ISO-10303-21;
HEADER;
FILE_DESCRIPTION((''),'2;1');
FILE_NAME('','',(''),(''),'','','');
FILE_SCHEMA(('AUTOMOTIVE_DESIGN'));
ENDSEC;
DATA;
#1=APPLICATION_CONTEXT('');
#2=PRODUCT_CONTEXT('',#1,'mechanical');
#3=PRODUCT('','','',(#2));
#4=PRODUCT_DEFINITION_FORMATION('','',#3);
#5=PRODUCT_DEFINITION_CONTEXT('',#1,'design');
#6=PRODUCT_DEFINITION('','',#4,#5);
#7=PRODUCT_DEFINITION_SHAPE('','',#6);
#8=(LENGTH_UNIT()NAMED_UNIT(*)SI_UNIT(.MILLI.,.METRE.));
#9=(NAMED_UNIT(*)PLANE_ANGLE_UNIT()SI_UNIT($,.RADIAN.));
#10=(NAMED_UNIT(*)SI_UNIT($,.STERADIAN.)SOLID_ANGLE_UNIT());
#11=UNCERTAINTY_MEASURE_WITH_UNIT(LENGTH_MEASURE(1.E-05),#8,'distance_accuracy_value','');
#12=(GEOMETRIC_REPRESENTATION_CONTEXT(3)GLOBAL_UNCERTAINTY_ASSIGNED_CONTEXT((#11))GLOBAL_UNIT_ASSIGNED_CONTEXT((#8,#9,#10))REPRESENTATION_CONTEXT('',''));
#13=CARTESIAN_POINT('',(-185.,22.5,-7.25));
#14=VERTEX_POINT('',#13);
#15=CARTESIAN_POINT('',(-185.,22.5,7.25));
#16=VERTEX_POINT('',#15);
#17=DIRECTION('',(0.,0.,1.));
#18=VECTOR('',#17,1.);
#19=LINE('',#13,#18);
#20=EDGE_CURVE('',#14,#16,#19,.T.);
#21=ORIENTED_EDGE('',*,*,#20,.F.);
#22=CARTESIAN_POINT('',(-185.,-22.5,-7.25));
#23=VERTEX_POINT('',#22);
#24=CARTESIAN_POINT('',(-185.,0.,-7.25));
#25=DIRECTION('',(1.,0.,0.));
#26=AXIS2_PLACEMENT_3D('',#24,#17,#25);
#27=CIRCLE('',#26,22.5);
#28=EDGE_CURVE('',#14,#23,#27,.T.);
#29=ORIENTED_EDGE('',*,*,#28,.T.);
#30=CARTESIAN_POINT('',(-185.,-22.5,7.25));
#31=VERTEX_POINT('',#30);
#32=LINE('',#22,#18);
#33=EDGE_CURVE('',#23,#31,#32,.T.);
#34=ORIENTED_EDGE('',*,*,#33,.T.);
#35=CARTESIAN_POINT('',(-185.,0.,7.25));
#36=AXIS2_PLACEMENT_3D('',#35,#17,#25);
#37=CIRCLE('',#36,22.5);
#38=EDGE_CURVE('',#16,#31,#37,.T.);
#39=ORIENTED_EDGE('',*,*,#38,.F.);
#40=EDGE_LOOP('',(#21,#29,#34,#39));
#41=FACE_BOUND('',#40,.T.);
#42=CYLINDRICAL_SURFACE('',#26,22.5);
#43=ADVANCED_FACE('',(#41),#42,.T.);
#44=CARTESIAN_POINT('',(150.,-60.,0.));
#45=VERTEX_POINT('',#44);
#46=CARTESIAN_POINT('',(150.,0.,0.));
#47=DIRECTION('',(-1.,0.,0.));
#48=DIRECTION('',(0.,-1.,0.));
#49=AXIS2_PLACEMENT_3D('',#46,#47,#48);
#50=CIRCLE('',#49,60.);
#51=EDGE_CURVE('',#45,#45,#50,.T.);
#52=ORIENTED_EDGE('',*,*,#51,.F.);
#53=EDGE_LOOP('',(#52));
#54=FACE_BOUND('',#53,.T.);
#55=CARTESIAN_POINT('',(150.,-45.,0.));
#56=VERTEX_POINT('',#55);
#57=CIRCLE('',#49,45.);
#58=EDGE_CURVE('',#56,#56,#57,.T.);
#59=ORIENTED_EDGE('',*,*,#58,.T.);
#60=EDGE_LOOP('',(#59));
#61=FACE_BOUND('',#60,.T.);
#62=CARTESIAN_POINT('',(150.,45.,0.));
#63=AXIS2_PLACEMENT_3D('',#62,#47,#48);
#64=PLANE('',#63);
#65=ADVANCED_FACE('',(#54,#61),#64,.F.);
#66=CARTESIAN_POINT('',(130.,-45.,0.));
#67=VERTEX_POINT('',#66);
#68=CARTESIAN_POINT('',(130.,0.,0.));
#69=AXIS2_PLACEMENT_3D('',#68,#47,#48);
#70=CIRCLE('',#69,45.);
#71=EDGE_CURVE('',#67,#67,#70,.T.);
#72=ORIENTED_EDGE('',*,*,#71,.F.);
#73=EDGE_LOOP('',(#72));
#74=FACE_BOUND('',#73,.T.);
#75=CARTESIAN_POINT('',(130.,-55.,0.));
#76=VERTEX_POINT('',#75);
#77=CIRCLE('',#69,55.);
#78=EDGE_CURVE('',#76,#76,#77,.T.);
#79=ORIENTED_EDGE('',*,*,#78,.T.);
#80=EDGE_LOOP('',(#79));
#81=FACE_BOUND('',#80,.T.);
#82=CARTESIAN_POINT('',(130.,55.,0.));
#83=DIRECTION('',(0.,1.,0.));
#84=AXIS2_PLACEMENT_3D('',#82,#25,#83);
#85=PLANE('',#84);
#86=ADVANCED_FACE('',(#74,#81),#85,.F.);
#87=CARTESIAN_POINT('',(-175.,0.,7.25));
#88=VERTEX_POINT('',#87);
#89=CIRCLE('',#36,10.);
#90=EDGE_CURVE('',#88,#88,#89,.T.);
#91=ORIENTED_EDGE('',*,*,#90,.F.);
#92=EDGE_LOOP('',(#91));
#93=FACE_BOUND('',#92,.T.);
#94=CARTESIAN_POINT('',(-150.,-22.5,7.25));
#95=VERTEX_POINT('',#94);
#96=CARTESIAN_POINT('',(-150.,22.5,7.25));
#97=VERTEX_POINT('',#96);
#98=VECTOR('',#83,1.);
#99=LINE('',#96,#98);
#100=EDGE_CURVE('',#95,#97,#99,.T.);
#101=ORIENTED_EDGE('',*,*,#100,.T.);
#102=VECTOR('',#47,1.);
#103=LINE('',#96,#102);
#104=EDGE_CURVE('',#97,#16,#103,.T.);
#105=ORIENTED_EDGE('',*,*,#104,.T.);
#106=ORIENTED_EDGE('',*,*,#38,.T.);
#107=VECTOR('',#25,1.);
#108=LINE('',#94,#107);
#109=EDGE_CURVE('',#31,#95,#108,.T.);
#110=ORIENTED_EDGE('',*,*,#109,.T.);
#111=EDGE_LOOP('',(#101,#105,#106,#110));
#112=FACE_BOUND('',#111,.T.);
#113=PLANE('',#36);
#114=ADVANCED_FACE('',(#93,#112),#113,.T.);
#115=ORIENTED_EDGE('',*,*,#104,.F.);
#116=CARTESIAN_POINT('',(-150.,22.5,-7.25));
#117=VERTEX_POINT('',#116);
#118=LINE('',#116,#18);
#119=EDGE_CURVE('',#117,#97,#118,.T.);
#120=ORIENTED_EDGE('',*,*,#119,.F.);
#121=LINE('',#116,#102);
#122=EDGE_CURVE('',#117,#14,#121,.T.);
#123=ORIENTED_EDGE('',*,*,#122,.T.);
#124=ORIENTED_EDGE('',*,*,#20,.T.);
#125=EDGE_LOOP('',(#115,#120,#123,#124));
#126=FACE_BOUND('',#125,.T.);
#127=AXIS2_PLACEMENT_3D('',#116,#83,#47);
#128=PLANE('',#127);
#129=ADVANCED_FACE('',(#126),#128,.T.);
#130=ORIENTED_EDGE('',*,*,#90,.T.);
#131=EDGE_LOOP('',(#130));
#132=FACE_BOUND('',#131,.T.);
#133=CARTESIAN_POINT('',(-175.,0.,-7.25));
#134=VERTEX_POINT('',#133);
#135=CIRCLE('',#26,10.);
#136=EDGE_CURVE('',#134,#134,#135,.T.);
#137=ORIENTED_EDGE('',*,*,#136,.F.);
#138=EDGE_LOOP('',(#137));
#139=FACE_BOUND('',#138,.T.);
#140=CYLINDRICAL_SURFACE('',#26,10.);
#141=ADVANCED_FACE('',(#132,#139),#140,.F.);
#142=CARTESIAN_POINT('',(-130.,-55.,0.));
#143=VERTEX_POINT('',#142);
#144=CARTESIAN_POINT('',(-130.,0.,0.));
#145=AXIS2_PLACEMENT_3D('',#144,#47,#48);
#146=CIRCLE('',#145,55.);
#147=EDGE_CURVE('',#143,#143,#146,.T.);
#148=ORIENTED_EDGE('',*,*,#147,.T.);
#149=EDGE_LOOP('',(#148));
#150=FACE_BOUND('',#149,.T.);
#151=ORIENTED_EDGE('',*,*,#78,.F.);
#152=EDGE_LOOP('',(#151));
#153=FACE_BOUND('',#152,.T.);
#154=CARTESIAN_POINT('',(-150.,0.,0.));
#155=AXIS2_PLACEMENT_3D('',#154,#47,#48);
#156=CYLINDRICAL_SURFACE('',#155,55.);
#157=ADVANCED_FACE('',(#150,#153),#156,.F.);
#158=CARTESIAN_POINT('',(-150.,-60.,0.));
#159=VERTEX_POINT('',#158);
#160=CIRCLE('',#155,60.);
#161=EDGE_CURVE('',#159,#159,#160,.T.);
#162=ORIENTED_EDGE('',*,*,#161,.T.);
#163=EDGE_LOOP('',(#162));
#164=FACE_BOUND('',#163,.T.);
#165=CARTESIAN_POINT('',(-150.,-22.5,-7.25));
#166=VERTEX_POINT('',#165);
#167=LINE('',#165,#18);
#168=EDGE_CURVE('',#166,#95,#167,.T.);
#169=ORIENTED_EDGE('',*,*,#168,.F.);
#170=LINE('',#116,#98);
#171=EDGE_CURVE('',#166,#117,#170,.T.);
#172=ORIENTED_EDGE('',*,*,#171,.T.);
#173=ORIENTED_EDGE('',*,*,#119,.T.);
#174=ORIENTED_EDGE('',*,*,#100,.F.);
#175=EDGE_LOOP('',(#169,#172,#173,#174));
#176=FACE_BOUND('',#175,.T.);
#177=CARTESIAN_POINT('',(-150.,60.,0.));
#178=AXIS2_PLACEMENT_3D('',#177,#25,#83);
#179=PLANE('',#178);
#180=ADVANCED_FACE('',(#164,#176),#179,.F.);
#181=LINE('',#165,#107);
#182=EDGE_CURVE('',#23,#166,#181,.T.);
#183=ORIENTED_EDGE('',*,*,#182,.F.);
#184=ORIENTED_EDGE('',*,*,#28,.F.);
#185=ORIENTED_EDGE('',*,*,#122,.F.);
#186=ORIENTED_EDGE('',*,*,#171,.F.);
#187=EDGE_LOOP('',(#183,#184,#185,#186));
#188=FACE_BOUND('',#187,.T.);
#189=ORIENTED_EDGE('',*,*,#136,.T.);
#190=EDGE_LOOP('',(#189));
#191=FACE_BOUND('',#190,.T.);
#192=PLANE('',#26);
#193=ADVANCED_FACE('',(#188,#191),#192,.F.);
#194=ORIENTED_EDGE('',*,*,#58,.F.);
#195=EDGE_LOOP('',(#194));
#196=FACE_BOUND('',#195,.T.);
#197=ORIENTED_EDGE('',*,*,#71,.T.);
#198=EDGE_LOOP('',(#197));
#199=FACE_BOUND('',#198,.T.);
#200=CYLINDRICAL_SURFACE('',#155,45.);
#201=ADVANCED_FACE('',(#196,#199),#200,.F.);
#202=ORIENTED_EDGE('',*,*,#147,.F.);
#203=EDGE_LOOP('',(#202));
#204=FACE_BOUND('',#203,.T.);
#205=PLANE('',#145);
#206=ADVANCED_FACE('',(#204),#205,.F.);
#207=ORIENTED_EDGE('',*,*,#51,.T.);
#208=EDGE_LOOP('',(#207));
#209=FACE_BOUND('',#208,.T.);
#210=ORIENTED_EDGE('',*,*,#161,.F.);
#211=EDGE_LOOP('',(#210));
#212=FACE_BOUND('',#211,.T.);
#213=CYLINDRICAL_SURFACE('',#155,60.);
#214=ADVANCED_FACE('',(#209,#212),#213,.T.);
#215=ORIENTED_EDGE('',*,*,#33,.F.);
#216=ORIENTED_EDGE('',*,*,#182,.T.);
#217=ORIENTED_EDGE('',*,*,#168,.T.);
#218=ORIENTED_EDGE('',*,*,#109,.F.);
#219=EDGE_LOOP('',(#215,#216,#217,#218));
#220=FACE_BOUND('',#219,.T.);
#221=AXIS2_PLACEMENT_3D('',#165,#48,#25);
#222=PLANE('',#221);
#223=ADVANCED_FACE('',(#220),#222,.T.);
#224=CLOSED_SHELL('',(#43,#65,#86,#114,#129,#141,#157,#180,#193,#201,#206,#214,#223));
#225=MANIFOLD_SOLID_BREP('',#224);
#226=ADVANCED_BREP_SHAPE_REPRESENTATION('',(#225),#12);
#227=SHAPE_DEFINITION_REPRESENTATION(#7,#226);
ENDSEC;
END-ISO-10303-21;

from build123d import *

# Parameters (mm, degrees)
BOSS_EXTRUDE1_DEPTH      = 7.25
BOSS_EXTRUDE1_DEPTH_BACK = 7.25
SKETCH3_R                = 10


with BuildPart() as part:
    # Sketch1 → Revolve1 (revolve)
    with BuildSketch(Plane.XY):
        Polygon((150, 45), (150, 60), (-150, 60), (-150, 0), (-130, 0), (-130, 55), (130, 55), (130, 45), align=None)
    revolve(axis=Axis((-150, 0, 0), (1, 0, 0)))

    # Sketch3 → Boss-Extrude1 (add, two sides: drawn at the far end of the back side and taken through both)
    with BuildSketch(Plane.XY.offset(-BOSS_EXTRUDE1_DEPTH_BACK)):
        with BuildLine():
            Line((-150, 22.5), (-150, -22.5))
            Line((-150, -22.5), (-185, -22.5))
            ThreePointArc((-185, -22.5), (-207.5, 0), (-185, 22.5))
            Line((-185, 22.5), (-150, 22.5))
        make_face()
        with Locations((-185, 0)):
            Circle(SKETCH3_R, mode=Mode.SUBTRACT)
    extrude(amount=BOSS_EXTRUDE1_DEPTH + BOSS_EXTRUDE1_DEPTH_BACK)


solid = part.part
